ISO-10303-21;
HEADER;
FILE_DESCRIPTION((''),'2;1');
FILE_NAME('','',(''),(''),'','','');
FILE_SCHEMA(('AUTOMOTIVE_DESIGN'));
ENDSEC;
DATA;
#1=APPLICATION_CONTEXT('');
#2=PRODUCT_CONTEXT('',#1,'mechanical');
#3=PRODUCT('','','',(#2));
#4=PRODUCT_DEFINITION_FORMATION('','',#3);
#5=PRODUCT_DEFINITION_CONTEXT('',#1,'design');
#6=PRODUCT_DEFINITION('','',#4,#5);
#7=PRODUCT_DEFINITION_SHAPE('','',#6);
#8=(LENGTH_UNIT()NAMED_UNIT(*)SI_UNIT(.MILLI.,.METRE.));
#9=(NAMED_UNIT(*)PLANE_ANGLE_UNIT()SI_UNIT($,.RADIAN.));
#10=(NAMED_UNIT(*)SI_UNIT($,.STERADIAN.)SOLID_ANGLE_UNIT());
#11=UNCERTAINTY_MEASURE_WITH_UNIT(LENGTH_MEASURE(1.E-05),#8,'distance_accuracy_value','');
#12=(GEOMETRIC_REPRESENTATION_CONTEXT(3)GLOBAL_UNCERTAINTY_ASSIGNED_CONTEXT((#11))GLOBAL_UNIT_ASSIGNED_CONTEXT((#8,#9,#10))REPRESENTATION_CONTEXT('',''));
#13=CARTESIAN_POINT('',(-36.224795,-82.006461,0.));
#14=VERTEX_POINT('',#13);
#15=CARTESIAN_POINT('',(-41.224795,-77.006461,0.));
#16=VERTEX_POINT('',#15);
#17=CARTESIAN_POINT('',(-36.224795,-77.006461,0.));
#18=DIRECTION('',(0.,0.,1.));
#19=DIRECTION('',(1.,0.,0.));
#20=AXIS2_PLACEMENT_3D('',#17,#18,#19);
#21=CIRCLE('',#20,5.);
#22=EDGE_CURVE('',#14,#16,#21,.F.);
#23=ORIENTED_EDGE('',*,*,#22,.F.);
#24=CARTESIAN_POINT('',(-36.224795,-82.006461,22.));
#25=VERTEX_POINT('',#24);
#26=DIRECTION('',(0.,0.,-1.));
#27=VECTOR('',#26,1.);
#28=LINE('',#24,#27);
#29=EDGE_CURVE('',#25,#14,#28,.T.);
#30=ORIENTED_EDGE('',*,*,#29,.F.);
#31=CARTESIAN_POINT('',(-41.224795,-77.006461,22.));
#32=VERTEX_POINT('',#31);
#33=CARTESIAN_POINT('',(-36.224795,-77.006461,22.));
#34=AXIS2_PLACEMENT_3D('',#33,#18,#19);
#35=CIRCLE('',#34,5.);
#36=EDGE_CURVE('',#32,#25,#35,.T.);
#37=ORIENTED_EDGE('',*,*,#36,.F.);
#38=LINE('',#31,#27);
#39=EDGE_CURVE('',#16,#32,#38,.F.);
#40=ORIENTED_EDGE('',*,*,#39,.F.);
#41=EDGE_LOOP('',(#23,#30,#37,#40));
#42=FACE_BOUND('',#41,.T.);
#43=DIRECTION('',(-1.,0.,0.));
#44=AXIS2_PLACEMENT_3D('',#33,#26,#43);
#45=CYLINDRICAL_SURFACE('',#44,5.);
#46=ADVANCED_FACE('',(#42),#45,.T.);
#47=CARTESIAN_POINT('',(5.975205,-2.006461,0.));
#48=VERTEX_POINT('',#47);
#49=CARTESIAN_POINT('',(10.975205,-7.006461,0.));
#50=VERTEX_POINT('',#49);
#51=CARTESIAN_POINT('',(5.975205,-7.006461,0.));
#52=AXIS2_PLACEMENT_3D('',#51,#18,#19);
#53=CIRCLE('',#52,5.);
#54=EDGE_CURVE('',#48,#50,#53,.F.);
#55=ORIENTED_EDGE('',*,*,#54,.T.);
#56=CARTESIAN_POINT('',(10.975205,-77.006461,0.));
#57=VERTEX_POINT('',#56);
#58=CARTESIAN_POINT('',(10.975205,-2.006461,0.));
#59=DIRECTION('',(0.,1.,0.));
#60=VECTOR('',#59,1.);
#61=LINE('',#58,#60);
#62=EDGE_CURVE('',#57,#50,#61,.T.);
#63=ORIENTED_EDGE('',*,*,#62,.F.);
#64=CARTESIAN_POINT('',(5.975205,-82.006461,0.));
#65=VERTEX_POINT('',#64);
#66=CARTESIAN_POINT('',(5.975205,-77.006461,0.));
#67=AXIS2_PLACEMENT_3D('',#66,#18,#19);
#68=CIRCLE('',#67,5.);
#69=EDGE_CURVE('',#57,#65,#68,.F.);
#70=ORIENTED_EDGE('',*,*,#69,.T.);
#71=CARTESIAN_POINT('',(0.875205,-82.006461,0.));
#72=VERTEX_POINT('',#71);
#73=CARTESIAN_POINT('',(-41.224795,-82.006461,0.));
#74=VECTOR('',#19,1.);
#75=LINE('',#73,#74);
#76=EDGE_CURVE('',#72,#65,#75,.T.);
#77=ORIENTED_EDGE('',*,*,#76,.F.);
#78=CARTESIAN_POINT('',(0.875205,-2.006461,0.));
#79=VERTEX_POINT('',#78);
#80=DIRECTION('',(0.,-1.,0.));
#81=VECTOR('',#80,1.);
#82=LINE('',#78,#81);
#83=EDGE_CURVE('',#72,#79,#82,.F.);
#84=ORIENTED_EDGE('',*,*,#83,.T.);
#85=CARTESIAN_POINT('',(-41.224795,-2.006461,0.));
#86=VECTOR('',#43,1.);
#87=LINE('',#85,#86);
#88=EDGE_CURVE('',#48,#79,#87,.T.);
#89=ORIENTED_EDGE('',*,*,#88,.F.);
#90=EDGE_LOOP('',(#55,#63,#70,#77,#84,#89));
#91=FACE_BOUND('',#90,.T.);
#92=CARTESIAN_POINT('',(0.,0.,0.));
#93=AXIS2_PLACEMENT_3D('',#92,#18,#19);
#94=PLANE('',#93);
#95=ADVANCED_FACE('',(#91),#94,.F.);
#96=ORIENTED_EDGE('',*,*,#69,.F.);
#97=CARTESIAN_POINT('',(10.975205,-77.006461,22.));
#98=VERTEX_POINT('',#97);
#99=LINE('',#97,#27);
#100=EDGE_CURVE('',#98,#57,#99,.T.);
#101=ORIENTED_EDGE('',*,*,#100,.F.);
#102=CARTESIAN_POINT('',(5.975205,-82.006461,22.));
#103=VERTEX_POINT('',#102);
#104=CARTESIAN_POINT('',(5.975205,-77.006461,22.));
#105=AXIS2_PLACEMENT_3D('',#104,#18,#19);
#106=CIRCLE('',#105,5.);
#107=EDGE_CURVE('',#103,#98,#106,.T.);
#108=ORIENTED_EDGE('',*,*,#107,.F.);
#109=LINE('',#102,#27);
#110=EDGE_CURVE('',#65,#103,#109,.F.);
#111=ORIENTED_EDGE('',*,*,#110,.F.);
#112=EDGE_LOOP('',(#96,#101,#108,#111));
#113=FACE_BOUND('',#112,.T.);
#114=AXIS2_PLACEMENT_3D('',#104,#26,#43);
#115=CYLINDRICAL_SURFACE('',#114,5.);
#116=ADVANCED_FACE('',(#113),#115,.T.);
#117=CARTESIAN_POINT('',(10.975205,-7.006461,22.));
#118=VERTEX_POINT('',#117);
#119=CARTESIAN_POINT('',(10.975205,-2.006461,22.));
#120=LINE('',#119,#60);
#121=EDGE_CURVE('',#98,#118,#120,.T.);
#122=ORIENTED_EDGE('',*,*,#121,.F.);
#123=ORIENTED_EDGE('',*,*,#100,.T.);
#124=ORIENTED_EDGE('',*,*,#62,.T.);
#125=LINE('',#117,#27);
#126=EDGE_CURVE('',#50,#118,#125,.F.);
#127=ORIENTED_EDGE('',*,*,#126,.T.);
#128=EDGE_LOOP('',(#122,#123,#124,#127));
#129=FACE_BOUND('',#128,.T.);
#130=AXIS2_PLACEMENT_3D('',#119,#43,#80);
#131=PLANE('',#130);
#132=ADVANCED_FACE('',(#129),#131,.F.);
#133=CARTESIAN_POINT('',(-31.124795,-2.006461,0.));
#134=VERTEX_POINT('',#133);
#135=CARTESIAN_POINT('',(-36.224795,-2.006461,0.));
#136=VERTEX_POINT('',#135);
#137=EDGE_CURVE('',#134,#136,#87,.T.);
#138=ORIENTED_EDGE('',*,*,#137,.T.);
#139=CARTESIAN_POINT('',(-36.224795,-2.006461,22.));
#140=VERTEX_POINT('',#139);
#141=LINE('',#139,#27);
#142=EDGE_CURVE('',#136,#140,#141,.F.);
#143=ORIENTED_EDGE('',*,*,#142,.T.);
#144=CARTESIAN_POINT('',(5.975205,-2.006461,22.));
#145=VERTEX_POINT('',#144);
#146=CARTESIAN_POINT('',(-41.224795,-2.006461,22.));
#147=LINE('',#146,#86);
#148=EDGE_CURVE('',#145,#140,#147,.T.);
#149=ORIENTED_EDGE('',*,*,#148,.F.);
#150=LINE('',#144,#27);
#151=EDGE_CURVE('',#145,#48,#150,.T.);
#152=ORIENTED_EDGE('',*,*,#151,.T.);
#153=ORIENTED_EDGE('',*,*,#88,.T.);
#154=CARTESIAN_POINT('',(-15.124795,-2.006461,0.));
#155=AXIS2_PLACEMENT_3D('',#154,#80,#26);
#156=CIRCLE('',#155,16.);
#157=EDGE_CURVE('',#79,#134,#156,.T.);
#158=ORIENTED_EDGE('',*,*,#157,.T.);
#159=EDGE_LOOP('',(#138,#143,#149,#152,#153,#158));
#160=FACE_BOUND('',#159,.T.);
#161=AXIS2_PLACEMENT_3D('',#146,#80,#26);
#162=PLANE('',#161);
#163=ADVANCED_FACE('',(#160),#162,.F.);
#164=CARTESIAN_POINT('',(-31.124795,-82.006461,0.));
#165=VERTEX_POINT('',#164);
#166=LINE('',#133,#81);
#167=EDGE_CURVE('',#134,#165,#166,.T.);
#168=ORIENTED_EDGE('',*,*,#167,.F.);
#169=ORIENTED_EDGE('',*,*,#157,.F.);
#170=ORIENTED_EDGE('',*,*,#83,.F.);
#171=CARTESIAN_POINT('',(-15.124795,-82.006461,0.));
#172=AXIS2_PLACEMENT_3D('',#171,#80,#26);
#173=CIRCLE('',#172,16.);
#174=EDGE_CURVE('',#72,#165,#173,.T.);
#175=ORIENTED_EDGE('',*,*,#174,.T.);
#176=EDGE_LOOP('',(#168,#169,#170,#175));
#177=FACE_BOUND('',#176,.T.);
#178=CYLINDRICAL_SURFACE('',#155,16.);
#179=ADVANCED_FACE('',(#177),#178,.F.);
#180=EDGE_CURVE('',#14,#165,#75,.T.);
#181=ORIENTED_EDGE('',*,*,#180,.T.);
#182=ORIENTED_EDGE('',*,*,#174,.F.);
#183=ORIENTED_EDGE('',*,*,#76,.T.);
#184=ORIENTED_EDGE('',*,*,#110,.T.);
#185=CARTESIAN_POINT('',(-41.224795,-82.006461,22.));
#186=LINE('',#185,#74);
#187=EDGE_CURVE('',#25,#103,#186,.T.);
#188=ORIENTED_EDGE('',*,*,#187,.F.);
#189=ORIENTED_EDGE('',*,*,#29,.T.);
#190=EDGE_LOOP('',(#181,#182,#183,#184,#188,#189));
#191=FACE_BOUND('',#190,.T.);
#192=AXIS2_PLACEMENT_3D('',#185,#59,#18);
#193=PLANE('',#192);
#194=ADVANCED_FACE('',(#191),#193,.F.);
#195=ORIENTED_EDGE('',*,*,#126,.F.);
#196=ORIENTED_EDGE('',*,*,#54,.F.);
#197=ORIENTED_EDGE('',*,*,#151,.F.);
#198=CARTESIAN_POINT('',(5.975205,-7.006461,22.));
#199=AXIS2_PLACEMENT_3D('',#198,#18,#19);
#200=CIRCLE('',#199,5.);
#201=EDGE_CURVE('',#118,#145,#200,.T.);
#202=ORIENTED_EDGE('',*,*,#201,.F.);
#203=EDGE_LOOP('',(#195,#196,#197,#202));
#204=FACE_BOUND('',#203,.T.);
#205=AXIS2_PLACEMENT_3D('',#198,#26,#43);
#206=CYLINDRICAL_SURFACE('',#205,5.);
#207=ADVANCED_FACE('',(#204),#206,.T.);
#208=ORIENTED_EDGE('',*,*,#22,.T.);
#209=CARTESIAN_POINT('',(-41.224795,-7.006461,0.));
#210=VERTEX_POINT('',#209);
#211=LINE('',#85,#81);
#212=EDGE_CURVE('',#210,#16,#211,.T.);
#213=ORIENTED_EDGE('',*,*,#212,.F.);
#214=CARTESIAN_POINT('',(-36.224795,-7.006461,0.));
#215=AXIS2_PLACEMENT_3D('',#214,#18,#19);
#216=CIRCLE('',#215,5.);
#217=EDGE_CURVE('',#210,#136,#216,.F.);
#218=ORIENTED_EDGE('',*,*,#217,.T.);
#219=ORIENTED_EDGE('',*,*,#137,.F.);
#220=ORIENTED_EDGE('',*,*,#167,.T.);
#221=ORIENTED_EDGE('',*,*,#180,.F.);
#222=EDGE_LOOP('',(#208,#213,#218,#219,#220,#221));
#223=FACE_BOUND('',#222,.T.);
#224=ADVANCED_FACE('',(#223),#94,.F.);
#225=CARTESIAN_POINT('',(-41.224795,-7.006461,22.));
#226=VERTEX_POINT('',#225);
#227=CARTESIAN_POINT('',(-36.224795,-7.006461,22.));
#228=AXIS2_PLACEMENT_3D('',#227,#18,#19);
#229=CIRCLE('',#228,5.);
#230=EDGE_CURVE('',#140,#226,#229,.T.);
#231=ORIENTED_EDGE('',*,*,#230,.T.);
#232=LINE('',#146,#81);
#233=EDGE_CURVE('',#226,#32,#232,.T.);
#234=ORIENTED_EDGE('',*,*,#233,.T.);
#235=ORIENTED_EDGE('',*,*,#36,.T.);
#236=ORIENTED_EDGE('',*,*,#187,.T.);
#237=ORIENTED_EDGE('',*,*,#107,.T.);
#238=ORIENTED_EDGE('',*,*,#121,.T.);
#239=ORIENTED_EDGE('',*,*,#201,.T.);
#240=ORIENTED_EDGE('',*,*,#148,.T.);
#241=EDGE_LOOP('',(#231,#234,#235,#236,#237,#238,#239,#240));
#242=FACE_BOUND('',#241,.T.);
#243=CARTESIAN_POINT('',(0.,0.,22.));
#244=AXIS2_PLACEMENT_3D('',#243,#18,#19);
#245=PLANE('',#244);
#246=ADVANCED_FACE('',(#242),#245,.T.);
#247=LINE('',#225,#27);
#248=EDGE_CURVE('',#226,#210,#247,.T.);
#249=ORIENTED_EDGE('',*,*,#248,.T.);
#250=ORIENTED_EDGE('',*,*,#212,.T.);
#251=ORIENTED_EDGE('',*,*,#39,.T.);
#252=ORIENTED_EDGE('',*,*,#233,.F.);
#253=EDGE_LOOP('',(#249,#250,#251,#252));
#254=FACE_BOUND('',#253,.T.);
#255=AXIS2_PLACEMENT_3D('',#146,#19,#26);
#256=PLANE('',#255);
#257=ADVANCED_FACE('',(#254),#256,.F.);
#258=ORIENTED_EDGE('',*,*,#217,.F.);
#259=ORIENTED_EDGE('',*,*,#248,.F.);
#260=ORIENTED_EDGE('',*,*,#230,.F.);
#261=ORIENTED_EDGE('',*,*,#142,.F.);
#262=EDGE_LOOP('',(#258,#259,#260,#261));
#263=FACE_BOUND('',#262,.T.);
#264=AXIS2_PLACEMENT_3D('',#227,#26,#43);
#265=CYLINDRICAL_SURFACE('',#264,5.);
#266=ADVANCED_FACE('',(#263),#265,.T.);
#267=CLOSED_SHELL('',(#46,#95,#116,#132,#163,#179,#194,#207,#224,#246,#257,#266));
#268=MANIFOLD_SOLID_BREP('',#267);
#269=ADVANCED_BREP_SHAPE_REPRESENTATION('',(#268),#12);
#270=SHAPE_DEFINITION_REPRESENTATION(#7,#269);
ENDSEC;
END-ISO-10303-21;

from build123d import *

# Parameters (mm, degrees)
ESQUISSE1_W             = 52.2
ESQUISSE1_H             = 80
BOSS_EXTRU_2_DEPTH      = 22
CONG_2_R                = 5
ESQUISSE2_R             = 16
ENL_V_MAT_EXTRU_3_DEPTH = 93.647092521


with BuildPart() as part:
    # Esquisse1 → Boss.-Extru.2 (new body)
    with BuildSketch(Plane.XY):
        with Locations((-15.124795362, -42.006460905)):
            Rectangle(ESQUISSE1_W, ESQUISSE1_H)
    extrude(amount=BOSS_EXTRU_2_DEPTH)

    # Congé2
    cong_2_edges = [part.edges().sort_by_distance(p)[0] for p in [
        (-41.224795362, -2.006460905, 11),
        (10.975204638, -2.006460905, 11),
        (10.975204638, -82.006460905, 11),
        (-41.224795362, -82.006460905, 11),
    ]]
    fillet(cong_2_edges, radius=CONG_2_R)

    # Esquisse2 → Enlèv. mat.-Extru.3 (cut, through all)
    with BuildSketch(Plane.XZ.offset(82.006460905)):
        with Locations((-15.124795362, 0)):
            Circle(ESQUISSE2_R)
    extrude(amount=-ENL_V_MAT_EXTRU_3_DEPTH, mode=Mode.SUBTRACT)


solid = part.part
